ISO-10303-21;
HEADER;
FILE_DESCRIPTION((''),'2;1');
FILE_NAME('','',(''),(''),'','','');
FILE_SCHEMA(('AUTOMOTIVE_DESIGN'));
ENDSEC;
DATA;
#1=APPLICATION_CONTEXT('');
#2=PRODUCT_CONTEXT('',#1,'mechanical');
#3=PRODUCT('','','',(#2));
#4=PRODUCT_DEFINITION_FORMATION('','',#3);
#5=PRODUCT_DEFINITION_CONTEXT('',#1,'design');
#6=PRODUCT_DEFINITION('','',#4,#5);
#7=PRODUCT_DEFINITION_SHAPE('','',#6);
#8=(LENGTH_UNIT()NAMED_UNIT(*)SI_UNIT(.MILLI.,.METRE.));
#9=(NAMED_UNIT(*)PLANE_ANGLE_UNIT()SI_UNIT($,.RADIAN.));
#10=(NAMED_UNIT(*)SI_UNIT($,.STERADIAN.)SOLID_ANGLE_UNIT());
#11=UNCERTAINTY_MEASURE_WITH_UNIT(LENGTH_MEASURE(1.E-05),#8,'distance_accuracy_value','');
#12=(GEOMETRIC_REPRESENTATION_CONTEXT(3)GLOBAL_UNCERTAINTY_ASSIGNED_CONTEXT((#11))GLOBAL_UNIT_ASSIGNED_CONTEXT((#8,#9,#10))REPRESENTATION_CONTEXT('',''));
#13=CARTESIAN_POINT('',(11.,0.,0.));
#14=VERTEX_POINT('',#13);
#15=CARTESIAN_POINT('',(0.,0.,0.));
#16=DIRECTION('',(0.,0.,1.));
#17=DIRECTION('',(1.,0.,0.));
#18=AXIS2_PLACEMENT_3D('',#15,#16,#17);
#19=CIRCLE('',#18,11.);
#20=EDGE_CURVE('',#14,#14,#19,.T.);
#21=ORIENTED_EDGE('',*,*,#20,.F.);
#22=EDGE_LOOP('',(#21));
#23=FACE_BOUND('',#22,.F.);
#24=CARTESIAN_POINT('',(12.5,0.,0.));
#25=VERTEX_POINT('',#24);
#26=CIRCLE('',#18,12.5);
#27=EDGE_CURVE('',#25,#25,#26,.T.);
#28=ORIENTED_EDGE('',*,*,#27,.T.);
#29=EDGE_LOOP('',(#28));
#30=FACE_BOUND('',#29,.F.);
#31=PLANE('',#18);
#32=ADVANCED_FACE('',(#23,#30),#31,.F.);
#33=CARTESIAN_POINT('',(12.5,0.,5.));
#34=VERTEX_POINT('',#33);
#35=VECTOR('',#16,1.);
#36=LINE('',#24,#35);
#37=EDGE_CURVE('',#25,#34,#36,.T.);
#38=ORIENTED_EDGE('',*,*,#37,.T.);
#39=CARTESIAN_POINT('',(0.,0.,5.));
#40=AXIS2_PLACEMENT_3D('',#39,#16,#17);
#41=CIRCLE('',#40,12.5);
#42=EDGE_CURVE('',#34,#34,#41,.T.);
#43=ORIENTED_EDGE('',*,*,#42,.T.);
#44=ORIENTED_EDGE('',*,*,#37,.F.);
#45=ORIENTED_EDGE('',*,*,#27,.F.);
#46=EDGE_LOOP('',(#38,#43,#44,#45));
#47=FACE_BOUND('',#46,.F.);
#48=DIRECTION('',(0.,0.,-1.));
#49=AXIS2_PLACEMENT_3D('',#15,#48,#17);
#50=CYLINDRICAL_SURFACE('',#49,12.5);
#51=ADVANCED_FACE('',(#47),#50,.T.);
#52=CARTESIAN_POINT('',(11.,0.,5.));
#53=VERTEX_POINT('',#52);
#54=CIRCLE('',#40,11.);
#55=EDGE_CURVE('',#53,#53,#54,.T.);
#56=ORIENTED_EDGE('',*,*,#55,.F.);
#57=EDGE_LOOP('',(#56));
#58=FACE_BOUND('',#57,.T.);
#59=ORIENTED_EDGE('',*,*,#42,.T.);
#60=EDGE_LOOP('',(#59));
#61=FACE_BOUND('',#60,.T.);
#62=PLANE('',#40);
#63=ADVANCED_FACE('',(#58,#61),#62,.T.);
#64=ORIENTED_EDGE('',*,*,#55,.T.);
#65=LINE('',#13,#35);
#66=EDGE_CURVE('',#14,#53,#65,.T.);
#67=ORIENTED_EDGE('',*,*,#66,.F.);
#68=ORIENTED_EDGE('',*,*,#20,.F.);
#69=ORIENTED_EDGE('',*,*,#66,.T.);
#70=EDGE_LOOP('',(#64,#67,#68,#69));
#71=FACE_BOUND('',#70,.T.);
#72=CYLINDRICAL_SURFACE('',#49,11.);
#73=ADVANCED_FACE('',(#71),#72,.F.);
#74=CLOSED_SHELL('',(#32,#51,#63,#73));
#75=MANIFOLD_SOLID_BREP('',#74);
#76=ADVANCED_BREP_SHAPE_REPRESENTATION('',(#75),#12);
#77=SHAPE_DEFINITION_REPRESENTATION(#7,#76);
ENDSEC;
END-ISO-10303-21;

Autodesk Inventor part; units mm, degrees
ref_plane "YZ Plane" through (0, 0, 0) normal (1, 0, 0) x (0, 1, 0)
ref_plane "XZ Plane" through (0, 0, 0) normal (0, 1, 0) x (-1, 0, 0)
ref_plane "XY Plane" through (0, 0, 0) normal (0, 0, 1) x (1, 0, 0)
sketch "スケッチ1" plane through (0, 0, 0) normal (0, 0, 1) x (1, 0, 0)
  circle A0 centre (0, 0) radius 12.5
  circle A1 centre (0, 0) radius 11
  dimension "d0" = 25
  dimension "d1" = 22
extrude "押し出し1" add sketch "スケッチ1" along normal blind 5
properties part number "オイレス222503" material "アセタール樹脂、黒"
